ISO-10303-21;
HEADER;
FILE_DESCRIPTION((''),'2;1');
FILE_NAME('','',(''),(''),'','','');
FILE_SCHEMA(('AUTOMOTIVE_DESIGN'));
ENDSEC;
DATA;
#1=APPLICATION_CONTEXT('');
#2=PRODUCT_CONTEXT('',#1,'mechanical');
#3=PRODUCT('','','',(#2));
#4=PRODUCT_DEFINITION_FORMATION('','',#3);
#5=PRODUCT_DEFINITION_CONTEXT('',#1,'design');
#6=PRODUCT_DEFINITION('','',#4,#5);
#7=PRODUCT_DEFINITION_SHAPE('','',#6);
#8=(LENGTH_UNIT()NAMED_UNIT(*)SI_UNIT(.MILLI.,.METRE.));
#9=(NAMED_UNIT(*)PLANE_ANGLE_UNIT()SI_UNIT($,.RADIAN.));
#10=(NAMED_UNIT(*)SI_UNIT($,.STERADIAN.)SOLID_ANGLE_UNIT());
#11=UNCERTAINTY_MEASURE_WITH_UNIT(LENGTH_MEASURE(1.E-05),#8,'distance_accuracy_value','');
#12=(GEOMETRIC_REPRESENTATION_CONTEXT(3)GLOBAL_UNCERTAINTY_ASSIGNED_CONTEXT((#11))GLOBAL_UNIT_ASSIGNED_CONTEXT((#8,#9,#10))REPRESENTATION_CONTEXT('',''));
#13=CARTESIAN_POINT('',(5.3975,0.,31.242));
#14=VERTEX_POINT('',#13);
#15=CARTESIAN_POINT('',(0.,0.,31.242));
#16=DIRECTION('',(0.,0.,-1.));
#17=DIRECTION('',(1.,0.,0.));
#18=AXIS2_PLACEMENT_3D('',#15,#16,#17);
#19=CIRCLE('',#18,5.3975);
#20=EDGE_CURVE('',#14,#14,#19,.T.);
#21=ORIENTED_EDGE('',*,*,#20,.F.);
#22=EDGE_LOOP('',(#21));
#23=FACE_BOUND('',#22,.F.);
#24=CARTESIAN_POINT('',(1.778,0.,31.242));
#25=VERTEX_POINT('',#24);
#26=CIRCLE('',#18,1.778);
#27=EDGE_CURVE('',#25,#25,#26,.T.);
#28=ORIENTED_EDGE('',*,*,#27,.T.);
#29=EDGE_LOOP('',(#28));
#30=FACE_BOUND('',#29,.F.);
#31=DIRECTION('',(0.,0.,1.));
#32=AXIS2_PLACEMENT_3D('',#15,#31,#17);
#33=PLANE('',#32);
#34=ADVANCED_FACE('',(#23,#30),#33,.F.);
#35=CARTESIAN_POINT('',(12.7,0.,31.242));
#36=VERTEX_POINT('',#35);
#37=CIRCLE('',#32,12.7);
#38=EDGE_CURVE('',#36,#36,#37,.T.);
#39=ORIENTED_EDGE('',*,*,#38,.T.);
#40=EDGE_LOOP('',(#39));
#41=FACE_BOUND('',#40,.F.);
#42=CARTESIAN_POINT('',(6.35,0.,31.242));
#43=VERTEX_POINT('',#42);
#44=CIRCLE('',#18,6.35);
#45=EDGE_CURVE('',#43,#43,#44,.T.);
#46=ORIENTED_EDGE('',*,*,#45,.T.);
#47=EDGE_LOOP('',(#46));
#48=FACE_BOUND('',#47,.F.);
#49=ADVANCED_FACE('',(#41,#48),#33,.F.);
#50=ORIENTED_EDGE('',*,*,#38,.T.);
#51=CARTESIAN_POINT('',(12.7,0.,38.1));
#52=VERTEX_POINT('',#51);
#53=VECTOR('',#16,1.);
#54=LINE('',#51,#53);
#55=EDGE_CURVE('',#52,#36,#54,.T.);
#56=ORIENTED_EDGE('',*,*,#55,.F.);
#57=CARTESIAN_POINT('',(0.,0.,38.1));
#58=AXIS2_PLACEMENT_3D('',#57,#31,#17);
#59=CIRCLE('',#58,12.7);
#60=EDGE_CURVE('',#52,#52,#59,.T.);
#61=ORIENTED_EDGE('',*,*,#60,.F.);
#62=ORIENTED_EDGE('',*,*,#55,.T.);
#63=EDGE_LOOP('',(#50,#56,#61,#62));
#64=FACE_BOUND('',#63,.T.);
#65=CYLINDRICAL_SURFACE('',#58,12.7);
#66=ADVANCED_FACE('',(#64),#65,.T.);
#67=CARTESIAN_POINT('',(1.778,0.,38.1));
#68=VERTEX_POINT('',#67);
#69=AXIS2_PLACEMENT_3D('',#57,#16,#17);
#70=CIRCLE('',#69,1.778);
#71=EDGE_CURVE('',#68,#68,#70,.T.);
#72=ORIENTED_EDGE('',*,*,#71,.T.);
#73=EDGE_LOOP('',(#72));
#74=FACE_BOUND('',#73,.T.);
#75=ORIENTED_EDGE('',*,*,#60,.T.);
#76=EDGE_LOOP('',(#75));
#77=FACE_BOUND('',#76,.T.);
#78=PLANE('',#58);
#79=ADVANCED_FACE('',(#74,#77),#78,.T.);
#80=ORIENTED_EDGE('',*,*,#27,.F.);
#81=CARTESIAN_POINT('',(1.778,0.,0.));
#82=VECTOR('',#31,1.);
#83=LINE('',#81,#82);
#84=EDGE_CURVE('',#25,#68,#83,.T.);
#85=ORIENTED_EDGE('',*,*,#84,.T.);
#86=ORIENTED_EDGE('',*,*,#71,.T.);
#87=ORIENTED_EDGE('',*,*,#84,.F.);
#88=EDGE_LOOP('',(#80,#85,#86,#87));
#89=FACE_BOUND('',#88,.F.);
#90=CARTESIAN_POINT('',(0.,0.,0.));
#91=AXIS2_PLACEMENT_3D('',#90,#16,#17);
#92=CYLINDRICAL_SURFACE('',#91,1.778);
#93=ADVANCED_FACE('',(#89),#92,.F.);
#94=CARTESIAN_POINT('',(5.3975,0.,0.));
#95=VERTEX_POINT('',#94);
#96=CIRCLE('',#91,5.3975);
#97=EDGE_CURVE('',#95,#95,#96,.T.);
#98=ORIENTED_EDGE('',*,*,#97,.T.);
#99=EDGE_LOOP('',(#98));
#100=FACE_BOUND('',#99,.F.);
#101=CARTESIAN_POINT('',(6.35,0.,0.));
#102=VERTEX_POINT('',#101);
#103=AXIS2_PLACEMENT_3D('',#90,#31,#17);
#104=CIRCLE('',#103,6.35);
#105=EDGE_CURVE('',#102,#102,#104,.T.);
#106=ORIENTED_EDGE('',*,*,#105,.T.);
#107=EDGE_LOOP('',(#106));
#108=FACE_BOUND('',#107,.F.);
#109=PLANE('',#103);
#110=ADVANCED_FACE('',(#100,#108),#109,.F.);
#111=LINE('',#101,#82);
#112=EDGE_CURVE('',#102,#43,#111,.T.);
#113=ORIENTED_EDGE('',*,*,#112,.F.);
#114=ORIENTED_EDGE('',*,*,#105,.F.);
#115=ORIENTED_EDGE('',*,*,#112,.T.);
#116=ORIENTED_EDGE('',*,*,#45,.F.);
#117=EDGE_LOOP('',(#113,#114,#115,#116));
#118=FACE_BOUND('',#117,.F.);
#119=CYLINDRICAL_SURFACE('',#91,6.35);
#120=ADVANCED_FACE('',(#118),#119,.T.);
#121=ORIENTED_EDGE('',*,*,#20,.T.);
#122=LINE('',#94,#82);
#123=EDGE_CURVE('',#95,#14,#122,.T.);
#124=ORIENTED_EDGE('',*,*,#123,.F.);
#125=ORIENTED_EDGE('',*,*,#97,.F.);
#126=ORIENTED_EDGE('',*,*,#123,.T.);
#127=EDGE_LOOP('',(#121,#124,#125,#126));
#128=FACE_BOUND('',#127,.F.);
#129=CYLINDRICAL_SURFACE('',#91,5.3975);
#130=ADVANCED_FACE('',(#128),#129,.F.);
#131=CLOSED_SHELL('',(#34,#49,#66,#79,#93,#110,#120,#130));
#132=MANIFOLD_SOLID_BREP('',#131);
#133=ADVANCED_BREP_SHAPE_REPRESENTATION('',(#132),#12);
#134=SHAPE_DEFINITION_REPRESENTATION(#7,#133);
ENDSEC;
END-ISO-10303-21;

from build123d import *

# Parameters (mm, degrees)
F0_R     = 6.35
F1_DEPTH = 38.1
F3_R     = 5.3975
F4_DEPTH = 32.512
F5_R     = 12.7
F6_DEPTH = 6.858
F2_R     = 1.778
F7_DEPTH = 50.292


with BuildPart() as f1:
    # F0 (on Top) → F1 (new body)
    with BuildSketch(Plane.XY):
        Circle(F0_R)
    extrude(amount=F1_DEPTH)

    # F3 (on face) → F4 (cut)
    with BuildSketch(Plane(origin=(0, 0, 0), x_dir=(1, 0, 0), z_dir=(0, 0, -1))):
        Circle(F3_R)
    extrude(amount=-F4_DEPTH, mode=Mode.SUBTRACT)

    # F5 (on face) → F6 (join)
    with BuildSketch(Plane.XY.offset(38.1)):
        Circle(F5_R)
    extrude(amount=-F6_DEPTH)

    # F2 (on face) → F7 (cut)
    with BuildSketch(Plane(origin=(0, 0, 0), x_dir=(1, 0, 0), z_dir=(0, 0, -1))):
        Circle(F2_R)
    extrude(amount=-F7_DEPTH, mode=Mode.SUBTRACT)


solid = f1.part
